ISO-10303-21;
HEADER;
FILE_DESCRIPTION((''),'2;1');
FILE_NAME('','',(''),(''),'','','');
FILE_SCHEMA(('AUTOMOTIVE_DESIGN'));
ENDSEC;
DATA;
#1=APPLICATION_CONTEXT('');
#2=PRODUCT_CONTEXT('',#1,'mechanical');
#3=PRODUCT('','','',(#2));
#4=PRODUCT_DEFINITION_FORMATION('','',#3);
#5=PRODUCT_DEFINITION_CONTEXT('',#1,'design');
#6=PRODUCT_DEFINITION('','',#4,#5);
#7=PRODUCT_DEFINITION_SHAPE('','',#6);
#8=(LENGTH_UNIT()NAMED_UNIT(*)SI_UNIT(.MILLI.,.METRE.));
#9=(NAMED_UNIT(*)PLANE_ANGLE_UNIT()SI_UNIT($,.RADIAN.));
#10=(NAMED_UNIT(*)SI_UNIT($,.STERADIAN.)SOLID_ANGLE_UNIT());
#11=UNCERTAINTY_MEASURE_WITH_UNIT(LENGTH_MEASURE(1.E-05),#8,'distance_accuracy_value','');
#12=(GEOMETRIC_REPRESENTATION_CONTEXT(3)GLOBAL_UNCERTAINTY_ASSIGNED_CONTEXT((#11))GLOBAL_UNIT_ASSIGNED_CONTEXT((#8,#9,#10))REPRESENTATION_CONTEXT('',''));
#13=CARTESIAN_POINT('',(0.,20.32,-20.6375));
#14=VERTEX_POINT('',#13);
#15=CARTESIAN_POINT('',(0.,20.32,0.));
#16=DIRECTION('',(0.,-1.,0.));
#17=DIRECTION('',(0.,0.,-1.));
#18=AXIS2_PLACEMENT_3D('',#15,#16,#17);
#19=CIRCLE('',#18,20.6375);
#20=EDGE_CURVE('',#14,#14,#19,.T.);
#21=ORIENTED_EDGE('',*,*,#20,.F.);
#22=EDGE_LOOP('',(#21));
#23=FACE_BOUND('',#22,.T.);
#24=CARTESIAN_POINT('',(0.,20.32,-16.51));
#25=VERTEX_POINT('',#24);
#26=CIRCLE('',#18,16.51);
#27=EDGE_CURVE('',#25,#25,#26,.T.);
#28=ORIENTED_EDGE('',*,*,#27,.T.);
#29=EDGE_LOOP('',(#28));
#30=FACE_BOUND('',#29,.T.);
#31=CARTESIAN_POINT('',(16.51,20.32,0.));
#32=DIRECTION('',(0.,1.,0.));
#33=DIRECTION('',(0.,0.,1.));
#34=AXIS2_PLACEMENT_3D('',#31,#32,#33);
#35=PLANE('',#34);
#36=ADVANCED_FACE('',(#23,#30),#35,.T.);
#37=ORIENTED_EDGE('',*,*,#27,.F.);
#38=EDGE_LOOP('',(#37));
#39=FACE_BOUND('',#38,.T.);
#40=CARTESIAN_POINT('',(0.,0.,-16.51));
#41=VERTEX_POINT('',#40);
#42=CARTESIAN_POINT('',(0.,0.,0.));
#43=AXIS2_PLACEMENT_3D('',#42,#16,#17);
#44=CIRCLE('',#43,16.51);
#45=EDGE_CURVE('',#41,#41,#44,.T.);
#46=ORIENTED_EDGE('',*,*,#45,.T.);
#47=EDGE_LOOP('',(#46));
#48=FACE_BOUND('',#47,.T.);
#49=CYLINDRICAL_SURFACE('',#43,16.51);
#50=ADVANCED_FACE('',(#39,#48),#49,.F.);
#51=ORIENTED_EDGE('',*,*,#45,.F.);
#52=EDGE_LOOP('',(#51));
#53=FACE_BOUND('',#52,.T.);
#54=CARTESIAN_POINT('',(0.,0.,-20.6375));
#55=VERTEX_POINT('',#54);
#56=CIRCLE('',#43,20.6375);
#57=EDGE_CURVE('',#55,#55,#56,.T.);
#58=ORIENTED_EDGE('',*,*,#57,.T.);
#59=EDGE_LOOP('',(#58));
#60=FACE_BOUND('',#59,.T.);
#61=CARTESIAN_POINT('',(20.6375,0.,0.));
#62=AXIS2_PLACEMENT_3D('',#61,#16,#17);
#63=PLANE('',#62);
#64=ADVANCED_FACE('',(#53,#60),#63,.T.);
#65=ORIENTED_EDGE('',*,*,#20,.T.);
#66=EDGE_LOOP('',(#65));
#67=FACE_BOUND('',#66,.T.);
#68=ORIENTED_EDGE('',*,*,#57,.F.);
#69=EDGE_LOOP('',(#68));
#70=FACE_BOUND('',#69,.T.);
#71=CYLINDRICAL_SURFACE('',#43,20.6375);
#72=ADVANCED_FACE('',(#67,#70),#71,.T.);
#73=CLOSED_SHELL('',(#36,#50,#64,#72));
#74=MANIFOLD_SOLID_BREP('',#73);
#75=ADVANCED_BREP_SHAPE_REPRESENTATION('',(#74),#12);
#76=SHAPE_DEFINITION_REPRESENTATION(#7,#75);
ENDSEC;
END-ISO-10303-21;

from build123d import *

# Parameters (mm, degrees)
SKETCH1_W = 4.1275
SKETCH1_H = 20.32


with BuildPart() as part:
    # Sketch1 → Revolve1 (revolve)
    with BuildSketch(Plane.XY, mode=Mode.PRIVATE) as revolve1_sk:
        with Locations((18.57375, 10.16)):
            Rectangle(SKETCH1_W, SKETCH1_H)
    revolve(revolve1_sk.sketch.rotate(Axis((0, 0, 0), (0, 1, 0)), 90), axis=Axis((0, 0, 0), (0, 1, 0)))


solid = part.part
